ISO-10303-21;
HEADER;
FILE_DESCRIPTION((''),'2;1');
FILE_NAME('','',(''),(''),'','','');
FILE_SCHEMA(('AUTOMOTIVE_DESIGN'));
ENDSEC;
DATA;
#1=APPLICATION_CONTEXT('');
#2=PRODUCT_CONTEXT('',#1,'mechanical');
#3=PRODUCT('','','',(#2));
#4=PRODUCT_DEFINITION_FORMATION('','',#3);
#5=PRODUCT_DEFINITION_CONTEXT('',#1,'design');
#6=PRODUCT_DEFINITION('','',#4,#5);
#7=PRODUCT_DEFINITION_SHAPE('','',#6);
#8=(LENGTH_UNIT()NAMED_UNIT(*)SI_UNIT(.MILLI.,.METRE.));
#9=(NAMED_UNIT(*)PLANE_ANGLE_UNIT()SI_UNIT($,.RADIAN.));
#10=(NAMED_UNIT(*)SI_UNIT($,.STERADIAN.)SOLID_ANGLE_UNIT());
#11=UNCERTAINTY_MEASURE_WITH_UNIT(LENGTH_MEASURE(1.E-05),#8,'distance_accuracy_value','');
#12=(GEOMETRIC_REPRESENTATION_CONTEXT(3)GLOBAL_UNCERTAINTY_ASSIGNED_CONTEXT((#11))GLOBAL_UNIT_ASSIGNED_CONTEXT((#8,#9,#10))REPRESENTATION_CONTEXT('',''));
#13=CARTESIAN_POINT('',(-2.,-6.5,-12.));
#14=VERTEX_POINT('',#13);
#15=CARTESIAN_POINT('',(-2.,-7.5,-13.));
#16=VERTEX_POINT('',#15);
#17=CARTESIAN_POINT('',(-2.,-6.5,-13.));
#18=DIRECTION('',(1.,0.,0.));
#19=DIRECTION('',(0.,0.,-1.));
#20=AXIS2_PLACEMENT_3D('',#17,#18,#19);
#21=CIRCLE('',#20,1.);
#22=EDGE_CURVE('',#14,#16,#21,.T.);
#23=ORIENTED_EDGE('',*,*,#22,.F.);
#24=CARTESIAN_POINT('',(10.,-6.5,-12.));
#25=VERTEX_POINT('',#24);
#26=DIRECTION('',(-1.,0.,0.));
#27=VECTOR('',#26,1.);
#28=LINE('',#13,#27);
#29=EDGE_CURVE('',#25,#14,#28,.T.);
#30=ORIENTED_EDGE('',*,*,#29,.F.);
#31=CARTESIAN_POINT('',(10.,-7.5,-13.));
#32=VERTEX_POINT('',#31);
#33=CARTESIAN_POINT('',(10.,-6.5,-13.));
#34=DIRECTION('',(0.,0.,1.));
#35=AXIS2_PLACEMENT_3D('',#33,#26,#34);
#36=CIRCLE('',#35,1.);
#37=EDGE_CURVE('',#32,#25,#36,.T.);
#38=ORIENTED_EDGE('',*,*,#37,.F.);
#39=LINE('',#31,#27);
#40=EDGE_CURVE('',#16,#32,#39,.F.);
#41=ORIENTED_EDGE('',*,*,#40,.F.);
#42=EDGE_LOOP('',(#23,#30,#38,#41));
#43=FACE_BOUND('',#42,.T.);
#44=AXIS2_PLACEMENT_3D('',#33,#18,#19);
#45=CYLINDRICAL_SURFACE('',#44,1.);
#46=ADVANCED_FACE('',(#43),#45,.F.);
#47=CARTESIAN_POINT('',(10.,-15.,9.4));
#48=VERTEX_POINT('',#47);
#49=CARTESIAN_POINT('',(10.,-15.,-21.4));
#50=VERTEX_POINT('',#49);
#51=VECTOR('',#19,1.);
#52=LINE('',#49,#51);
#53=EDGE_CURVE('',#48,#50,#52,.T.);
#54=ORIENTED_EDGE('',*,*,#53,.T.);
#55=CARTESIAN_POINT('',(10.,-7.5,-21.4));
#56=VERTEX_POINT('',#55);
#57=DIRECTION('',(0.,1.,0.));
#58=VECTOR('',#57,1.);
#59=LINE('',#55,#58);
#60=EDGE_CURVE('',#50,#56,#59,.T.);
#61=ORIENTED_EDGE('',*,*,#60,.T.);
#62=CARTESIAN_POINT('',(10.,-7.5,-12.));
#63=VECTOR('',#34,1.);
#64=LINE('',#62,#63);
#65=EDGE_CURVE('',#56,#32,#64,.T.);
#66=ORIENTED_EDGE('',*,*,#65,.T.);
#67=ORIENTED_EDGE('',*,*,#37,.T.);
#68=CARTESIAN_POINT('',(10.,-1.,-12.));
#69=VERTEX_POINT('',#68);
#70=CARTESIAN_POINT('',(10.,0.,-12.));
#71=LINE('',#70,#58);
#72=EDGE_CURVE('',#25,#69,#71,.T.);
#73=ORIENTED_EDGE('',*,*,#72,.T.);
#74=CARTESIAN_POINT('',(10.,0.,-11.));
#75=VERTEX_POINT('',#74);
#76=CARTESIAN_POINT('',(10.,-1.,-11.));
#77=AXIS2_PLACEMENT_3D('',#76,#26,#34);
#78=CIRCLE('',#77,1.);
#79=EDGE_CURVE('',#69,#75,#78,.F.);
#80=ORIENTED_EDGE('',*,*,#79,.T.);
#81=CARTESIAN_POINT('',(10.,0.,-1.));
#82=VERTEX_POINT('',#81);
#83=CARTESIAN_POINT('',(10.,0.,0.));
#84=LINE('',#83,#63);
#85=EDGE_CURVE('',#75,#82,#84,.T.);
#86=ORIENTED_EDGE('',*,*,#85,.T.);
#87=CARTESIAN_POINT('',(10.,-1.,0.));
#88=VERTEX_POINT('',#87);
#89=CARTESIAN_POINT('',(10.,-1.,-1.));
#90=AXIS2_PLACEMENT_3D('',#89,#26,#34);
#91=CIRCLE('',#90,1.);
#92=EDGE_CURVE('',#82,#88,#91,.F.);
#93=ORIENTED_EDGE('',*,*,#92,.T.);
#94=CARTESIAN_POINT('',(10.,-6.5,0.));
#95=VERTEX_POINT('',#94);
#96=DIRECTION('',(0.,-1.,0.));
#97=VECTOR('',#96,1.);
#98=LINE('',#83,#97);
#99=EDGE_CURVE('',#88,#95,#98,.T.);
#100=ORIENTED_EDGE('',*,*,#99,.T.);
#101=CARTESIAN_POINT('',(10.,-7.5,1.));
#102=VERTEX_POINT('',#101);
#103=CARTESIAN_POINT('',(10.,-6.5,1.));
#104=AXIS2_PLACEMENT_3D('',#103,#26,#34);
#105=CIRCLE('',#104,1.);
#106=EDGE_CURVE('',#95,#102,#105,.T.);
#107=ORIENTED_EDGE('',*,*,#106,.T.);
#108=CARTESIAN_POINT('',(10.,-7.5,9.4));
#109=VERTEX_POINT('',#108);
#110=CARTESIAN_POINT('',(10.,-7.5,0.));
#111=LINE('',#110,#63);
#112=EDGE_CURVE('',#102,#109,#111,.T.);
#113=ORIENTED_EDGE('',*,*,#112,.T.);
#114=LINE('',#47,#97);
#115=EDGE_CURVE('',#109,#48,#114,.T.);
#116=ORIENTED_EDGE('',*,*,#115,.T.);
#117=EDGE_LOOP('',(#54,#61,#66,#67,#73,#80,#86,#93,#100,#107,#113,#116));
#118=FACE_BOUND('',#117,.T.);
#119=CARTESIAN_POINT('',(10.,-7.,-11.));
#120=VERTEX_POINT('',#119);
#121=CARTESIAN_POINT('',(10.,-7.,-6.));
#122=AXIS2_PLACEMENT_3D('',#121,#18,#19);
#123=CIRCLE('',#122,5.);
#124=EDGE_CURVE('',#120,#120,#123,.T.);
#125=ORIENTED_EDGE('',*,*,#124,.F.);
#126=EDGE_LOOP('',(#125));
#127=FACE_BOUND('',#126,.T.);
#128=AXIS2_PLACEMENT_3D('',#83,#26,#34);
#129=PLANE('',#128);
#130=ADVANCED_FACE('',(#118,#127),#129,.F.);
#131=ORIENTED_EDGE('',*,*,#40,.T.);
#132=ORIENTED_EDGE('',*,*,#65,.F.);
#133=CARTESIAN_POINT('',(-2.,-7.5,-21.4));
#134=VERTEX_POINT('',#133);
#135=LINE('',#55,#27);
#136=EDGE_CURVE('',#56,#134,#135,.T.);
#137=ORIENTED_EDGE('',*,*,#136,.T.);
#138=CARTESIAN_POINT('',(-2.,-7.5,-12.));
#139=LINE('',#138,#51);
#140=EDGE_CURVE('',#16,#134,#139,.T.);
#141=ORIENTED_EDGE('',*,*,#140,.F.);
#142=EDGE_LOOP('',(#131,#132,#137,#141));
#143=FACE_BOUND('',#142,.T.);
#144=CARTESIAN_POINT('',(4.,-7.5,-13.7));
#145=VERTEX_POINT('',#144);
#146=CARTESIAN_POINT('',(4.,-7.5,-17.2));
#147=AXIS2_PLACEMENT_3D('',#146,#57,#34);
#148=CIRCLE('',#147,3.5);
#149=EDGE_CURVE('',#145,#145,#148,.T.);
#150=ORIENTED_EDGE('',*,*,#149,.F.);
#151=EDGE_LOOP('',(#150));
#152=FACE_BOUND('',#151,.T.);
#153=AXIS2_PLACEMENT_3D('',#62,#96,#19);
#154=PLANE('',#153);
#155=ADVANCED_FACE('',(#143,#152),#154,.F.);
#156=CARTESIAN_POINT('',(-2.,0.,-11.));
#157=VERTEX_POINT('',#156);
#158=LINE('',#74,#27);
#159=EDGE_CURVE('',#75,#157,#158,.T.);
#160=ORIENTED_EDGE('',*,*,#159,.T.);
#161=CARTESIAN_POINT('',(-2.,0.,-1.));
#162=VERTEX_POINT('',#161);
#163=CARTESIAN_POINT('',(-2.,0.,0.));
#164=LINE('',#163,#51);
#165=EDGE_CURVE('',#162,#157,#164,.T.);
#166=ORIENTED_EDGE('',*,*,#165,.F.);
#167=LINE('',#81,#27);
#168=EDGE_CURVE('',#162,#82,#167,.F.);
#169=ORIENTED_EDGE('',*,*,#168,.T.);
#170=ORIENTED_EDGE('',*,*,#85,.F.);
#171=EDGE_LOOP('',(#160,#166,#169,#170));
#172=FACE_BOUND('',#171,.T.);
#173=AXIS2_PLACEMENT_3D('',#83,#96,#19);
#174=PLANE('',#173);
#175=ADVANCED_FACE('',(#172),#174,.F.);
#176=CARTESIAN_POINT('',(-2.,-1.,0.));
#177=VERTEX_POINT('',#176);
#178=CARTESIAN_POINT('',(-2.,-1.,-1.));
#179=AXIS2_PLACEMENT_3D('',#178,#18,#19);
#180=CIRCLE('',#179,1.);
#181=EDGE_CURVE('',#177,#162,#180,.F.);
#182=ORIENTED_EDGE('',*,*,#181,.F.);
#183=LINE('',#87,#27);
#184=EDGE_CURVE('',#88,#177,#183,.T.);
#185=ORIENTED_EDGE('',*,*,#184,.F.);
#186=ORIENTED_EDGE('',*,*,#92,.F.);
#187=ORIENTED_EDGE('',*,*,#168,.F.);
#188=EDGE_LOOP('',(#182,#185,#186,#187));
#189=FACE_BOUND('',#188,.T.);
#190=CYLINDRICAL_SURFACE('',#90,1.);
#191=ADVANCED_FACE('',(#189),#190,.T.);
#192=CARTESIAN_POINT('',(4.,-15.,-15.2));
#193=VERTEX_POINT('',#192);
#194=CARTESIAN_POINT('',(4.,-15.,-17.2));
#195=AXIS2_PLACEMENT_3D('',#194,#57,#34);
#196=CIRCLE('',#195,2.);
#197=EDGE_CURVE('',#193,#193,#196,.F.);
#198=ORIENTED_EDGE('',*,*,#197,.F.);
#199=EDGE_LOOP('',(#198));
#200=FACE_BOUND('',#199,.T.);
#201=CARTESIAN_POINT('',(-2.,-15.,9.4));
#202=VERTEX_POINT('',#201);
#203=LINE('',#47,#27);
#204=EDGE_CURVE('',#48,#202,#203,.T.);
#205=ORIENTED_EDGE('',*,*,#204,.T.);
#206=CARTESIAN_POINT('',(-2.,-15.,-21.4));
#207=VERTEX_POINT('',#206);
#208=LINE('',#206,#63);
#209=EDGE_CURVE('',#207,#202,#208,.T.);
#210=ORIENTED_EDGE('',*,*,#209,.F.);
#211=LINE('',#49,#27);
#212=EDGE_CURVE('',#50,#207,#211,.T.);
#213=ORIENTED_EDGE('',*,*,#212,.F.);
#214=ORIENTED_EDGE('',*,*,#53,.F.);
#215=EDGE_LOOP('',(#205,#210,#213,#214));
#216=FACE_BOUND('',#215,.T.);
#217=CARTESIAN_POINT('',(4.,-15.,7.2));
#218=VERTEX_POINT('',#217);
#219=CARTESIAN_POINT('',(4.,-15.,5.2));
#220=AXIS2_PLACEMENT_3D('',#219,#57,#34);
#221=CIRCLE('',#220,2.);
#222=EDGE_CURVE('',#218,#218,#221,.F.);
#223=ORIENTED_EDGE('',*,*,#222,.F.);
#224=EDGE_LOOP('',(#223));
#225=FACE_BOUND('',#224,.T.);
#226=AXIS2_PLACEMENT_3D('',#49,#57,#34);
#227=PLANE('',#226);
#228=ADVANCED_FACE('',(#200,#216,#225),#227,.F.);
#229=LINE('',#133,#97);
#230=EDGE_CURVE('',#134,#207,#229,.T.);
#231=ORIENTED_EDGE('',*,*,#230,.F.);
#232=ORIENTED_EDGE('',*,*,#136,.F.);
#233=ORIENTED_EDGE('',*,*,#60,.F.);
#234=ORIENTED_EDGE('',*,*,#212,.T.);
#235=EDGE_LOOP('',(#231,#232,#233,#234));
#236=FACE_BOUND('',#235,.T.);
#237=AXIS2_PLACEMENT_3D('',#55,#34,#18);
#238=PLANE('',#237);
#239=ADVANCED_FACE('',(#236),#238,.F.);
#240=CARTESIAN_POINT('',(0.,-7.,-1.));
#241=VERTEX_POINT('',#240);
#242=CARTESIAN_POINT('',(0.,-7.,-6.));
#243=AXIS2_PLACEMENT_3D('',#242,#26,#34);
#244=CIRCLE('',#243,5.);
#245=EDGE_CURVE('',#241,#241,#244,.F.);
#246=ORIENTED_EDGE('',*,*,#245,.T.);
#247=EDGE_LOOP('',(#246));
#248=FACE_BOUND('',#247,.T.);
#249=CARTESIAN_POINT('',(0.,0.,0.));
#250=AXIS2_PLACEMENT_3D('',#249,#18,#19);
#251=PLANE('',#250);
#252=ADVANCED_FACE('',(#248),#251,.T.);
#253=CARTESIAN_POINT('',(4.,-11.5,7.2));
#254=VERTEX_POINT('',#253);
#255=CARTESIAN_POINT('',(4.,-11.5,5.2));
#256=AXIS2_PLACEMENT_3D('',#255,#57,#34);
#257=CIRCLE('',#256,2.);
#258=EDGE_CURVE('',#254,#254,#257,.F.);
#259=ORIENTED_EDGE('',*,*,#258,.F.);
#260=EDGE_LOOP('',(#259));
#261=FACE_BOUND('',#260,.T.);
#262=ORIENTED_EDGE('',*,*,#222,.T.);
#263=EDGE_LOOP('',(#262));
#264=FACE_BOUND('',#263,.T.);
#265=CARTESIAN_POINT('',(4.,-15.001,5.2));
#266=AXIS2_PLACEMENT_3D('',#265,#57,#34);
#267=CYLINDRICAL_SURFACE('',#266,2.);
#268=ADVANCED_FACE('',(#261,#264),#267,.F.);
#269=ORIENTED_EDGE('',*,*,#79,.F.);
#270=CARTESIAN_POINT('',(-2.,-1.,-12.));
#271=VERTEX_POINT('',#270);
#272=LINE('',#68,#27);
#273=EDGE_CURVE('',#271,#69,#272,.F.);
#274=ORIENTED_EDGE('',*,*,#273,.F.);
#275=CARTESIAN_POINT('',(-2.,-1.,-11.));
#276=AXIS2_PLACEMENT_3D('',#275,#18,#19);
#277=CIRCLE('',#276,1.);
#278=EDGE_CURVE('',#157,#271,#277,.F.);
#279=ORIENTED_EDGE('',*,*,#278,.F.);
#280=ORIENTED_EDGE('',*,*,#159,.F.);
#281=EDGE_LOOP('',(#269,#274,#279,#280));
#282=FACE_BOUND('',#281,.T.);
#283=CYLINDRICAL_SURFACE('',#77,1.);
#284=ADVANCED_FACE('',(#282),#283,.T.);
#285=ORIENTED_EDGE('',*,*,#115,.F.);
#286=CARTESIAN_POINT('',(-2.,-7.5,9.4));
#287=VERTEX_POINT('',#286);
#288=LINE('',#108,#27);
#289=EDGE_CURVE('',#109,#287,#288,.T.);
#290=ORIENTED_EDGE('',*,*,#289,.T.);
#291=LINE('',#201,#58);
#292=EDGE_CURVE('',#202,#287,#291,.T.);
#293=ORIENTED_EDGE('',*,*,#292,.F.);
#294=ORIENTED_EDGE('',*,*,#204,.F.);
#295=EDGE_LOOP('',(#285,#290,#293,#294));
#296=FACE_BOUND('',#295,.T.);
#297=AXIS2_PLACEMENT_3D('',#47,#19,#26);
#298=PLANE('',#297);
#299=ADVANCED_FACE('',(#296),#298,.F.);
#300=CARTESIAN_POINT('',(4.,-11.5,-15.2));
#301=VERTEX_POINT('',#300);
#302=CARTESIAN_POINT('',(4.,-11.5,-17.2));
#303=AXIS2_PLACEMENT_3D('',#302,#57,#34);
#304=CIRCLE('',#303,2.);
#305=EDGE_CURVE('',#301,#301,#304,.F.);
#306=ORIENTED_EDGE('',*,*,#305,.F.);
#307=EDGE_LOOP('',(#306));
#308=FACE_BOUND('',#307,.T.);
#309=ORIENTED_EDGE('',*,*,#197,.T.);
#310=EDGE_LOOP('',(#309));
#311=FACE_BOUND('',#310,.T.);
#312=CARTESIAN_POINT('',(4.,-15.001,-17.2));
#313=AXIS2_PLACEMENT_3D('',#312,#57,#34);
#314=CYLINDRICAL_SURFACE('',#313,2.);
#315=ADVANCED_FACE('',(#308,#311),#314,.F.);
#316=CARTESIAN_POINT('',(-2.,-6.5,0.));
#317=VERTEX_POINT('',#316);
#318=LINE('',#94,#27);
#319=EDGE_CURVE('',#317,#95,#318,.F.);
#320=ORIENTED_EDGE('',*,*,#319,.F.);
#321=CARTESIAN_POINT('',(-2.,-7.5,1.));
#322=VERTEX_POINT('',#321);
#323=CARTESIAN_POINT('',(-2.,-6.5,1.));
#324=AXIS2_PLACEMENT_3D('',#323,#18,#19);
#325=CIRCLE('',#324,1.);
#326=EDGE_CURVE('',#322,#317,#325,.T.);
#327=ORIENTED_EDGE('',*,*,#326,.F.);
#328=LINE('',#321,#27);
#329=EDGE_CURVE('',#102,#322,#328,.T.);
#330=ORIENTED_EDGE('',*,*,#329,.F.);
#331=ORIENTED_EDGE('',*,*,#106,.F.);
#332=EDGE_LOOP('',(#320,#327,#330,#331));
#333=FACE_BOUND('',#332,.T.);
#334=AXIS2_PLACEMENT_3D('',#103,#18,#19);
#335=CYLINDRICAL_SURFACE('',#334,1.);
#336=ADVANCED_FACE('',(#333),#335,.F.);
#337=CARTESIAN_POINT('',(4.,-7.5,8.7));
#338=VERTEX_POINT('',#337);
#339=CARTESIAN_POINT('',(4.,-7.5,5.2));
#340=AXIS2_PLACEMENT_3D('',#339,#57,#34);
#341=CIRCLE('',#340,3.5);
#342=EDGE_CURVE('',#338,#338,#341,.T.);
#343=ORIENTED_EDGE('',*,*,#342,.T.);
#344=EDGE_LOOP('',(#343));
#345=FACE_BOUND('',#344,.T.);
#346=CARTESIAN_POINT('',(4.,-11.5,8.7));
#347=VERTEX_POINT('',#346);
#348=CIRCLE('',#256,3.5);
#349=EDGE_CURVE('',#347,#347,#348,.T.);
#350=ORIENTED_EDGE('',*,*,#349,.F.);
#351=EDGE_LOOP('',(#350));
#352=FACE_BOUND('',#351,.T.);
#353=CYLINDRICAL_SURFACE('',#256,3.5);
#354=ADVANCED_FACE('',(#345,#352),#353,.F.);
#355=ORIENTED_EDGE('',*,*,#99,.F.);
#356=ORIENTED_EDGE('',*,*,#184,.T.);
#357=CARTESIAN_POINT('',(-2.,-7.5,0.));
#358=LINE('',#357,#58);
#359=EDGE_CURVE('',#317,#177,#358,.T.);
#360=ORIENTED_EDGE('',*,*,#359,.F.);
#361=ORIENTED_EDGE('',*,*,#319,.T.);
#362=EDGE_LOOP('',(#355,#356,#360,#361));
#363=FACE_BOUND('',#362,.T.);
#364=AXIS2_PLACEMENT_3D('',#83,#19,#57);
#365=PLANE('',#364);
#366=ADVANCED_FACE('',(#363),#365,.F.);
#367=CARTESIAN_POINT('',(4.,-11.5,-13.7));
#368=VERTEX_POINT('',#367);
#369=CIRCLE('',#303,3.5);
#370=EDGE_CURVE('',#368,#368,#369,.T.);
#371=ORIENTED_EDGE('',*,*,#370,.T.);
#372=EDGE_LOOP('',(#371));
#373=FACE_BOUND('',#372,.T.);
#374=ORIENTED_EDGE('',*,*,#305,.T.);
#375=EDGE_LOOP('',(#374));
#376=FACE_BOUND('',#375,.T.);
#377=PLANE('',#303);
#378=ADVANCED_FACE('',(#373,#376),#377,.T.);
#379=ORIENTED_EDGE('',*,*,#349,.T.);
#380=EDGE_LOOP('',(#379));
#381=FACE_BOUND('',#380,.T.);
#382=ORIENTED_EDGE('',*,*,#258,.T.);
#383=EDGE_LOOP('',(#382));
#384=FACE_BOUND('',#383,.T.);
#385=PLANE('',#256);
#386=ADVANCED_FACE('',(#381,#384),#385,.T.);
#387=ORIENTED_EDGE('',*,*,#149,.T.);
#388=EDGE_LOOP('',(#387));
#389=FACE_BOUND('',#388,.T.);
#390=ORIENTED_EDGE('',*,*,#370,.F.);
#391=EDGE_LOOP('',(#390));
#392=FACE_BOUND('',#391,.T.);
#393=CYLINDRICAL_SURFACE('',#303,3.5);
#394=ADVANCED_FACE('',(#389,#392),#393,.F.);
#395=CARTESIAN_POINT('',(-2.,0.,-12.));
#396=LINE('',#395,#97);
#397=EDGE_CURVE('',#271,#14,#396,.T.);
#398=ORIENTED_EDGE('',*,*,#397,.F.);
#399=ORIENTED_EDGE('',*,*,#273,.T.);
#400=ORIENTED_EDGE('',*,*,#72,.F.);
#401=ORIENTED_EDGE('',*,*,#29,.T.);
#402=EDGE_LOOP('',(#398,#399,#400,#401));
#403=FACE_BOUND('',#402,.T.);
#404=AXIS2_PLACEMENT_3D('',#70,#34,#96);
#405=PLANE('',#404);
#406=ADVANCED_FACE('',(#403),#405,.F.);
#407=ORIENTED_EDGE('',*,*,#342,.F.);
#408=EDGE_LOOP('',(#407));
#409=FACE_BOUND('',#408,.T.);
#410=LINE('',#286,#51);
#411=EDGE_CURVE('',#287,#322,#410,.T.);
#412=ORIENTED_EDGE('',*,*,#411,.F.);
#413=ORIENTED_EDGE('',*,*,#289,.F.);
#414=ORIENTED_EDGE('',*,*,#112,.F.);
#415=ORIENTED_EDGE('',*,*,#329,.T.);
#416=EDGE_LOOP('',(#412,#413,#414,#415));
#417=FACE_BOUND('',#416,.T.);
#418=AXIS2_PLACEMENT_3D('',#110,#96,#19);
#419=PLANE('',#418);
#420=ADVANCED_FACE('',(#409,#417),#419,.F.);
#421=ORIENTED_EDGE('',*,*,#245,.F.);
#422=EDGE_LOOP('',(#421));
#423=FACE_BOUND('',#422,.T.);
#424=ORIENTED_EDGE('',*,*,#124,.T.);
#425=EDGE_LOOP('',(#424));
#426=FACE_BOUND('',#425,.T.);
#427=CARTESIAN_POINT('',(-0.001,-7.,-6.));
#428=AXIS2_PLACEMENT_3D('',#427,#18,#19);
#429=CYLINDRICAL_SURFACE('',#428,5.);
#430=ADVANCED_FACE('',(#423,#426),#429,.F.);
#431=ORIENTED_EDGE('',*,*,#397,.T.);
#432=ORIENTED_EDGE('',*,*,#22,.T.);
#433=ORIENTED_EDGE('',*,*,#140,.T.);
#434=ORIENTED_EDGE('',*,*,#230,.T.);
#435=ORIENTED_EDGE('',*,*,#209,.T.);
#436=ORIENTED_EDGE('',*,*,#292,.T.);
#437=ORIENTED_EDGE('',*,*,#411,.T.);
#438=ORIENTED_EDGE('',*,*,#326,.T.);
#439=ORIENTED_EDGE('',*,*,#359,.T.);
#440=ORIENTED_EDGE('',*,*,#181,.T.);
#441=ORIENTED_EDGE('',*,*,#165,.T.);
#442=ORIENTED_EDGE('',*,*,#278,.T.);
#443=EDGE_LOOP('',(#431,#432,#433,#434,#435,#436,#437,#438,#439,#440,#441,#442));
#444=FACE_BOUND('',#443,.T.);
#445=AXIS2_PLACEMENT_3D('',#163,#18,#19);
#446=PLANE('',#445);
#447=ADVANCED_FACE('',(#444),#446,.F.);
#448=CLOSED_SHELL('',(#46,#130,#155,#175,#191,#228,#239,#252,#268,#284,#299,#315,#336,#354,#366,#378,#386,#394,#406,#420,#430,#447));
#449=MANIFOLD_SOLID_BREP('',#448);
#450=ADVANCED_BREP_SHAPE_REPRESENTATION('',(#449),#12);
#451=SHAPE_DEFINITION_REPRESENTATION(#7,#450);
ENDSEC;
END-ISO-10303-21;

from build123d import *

# Parameters (mm, degrees)
BOSS_EXTRUDE1_DEPTH = 10
CUT_EXTRUDE1_REACH  = 29.981
SKETCH3_R           = 5
BOSS_EXTRUDE2_DEPTH = 2
FILLET1_R           = 1
CUT_EXTRUDE2_REACH  = 26.783
SKETCH5_R           = 2
SKETCH6_R           = 3.5
CUT_EXTRUDE3_DEPTH  = 4


with BuildPart() as part:
    # Sketch2 → Boss-Extrude1 (new body)
    with BuildSketch(Plane(origin=(0, 0, 0), x_dir=(0, 0, -1), z_dir=(1, 0, 0))):
        Polygon((0, 0), (12, 0), (12, -7.5), (21.4, -7.5), (21.4, -15), (-9.4, -15), (-9.4, -7.5), (0, -7.5), align=None)
    extrude(amount=BOSS_EXTRUDE1_DEPTH)

    # Sketch3 → Cut-Extrude1 (cut, up to next)
    with BuildSketch(Plane(origin=(10, 0, 0), x_dir=(0, 0, -1), z_dir=(1, 0, 0)), mode=Mode.PRIVATE) as cut_extrude1_sk1:
        with Locations((6, -7)):
            Circle(SKETCH3_R)
    cut_extrude1_tool1 = extrude(cut_extrude1_sk1.sketch, amount=-CUT_EXTRUDE1_REACH, mode=Mode.PRIVATE) & part.part
    add(cut_extrude1_tool1.solids().sort_by_distance((10, -7, -6))[0], mode=Mode.SUBTRACT)

    # Sketch4 → Boss-Extrude2 (add)
    with BuildSketch(Plane.ZY):
        Polygon((0, -7.5), (0, 0), (-12, 0), (-12, -7.5), (-21.4, -7.5), (-21.4, -15), (9.4, -15), (9.4, -7.5), align=None)
    extrude(amount=BOSS_EXTRUDE2_DEPTH)

    # Fillet1
    fillet1_edges = [part.edges().sort_by_distance(p)[0] for p in [
        (4, 0, 0),
        (4, 0, -12),
        (4, -7.5, -12),
        (4, -7.5, 0),
    ]]
    fillet(fillet1_edges, radius=FILLET1_R)

    # Sketch5 → Cut-Extrude2 (cut, up to next)
    with BuildSketch(Plane(origin=(0, -7.5, 0), x_dir=(1, 0, 0), z_dir=(0, 1, 0)), mode=Mode.PRIVATE) as cut_extrude2_sk1:
        with Locations(Location((4, 17.2, 0), (0, 0, 270))):
            Circle(SKETCH5_R)
    cut_extrude2_tool1 = extrude(cut_extrude2_sk1.sketch, amount=-CUT_EXTRUDE2_REACH, mode=Mode.PRIVATE) & part.part
    # Sketch5 → Cut-Extrude2 (cut, up to next)
    with BuildSketch(Plane(origin=(0, -7.5, 0), x_dir=(1, 0, 0), z_dir=(0, 1, 0)), mode=Mode.PRIVATE) as cut_extrude2_sk2:
        with Locations(Location((4, -5.2, 0), (0, 0, 270))):
            Circle(SKETCH5_R)
    cut_extrude2_tool2 = extrude(cut_extrude2_sk2.sketch, amount=-CUT_EXTRUDE2_REACH, mode=Mode.PRIVATE) & part.part
    add(cut_extrude2_tool1.solids().sort_by_distance((4, -7.5, -17.2))[0], mode=Mode.SUBTRACT)
    add(cut_extrude2_tool2.solids().sort_by_distance((4, -7.5, 5.2))[0], mode=Mode.SUBTRACT)

    # Sketch6 → Cut-Extrude3 (cut)
    with BuildSketch(Plane(origin=(0, -7.5, 0), x_dir=(1, 0, 0), z_dir=(0, 1, 0))):
        with Locations(Location((4, -5.2, 0), (0, 0, 270))):
            Circle(SKETCH6_R)
        with Locations(Location((4, 17.2, 0), (0, 0, 270))):
            Circle(SKETCH6_R)
    extrude(amount=-CUT_EXTRUDE3_DEPTH, mode=Mode.SUBTRACT)


solid = part.part
